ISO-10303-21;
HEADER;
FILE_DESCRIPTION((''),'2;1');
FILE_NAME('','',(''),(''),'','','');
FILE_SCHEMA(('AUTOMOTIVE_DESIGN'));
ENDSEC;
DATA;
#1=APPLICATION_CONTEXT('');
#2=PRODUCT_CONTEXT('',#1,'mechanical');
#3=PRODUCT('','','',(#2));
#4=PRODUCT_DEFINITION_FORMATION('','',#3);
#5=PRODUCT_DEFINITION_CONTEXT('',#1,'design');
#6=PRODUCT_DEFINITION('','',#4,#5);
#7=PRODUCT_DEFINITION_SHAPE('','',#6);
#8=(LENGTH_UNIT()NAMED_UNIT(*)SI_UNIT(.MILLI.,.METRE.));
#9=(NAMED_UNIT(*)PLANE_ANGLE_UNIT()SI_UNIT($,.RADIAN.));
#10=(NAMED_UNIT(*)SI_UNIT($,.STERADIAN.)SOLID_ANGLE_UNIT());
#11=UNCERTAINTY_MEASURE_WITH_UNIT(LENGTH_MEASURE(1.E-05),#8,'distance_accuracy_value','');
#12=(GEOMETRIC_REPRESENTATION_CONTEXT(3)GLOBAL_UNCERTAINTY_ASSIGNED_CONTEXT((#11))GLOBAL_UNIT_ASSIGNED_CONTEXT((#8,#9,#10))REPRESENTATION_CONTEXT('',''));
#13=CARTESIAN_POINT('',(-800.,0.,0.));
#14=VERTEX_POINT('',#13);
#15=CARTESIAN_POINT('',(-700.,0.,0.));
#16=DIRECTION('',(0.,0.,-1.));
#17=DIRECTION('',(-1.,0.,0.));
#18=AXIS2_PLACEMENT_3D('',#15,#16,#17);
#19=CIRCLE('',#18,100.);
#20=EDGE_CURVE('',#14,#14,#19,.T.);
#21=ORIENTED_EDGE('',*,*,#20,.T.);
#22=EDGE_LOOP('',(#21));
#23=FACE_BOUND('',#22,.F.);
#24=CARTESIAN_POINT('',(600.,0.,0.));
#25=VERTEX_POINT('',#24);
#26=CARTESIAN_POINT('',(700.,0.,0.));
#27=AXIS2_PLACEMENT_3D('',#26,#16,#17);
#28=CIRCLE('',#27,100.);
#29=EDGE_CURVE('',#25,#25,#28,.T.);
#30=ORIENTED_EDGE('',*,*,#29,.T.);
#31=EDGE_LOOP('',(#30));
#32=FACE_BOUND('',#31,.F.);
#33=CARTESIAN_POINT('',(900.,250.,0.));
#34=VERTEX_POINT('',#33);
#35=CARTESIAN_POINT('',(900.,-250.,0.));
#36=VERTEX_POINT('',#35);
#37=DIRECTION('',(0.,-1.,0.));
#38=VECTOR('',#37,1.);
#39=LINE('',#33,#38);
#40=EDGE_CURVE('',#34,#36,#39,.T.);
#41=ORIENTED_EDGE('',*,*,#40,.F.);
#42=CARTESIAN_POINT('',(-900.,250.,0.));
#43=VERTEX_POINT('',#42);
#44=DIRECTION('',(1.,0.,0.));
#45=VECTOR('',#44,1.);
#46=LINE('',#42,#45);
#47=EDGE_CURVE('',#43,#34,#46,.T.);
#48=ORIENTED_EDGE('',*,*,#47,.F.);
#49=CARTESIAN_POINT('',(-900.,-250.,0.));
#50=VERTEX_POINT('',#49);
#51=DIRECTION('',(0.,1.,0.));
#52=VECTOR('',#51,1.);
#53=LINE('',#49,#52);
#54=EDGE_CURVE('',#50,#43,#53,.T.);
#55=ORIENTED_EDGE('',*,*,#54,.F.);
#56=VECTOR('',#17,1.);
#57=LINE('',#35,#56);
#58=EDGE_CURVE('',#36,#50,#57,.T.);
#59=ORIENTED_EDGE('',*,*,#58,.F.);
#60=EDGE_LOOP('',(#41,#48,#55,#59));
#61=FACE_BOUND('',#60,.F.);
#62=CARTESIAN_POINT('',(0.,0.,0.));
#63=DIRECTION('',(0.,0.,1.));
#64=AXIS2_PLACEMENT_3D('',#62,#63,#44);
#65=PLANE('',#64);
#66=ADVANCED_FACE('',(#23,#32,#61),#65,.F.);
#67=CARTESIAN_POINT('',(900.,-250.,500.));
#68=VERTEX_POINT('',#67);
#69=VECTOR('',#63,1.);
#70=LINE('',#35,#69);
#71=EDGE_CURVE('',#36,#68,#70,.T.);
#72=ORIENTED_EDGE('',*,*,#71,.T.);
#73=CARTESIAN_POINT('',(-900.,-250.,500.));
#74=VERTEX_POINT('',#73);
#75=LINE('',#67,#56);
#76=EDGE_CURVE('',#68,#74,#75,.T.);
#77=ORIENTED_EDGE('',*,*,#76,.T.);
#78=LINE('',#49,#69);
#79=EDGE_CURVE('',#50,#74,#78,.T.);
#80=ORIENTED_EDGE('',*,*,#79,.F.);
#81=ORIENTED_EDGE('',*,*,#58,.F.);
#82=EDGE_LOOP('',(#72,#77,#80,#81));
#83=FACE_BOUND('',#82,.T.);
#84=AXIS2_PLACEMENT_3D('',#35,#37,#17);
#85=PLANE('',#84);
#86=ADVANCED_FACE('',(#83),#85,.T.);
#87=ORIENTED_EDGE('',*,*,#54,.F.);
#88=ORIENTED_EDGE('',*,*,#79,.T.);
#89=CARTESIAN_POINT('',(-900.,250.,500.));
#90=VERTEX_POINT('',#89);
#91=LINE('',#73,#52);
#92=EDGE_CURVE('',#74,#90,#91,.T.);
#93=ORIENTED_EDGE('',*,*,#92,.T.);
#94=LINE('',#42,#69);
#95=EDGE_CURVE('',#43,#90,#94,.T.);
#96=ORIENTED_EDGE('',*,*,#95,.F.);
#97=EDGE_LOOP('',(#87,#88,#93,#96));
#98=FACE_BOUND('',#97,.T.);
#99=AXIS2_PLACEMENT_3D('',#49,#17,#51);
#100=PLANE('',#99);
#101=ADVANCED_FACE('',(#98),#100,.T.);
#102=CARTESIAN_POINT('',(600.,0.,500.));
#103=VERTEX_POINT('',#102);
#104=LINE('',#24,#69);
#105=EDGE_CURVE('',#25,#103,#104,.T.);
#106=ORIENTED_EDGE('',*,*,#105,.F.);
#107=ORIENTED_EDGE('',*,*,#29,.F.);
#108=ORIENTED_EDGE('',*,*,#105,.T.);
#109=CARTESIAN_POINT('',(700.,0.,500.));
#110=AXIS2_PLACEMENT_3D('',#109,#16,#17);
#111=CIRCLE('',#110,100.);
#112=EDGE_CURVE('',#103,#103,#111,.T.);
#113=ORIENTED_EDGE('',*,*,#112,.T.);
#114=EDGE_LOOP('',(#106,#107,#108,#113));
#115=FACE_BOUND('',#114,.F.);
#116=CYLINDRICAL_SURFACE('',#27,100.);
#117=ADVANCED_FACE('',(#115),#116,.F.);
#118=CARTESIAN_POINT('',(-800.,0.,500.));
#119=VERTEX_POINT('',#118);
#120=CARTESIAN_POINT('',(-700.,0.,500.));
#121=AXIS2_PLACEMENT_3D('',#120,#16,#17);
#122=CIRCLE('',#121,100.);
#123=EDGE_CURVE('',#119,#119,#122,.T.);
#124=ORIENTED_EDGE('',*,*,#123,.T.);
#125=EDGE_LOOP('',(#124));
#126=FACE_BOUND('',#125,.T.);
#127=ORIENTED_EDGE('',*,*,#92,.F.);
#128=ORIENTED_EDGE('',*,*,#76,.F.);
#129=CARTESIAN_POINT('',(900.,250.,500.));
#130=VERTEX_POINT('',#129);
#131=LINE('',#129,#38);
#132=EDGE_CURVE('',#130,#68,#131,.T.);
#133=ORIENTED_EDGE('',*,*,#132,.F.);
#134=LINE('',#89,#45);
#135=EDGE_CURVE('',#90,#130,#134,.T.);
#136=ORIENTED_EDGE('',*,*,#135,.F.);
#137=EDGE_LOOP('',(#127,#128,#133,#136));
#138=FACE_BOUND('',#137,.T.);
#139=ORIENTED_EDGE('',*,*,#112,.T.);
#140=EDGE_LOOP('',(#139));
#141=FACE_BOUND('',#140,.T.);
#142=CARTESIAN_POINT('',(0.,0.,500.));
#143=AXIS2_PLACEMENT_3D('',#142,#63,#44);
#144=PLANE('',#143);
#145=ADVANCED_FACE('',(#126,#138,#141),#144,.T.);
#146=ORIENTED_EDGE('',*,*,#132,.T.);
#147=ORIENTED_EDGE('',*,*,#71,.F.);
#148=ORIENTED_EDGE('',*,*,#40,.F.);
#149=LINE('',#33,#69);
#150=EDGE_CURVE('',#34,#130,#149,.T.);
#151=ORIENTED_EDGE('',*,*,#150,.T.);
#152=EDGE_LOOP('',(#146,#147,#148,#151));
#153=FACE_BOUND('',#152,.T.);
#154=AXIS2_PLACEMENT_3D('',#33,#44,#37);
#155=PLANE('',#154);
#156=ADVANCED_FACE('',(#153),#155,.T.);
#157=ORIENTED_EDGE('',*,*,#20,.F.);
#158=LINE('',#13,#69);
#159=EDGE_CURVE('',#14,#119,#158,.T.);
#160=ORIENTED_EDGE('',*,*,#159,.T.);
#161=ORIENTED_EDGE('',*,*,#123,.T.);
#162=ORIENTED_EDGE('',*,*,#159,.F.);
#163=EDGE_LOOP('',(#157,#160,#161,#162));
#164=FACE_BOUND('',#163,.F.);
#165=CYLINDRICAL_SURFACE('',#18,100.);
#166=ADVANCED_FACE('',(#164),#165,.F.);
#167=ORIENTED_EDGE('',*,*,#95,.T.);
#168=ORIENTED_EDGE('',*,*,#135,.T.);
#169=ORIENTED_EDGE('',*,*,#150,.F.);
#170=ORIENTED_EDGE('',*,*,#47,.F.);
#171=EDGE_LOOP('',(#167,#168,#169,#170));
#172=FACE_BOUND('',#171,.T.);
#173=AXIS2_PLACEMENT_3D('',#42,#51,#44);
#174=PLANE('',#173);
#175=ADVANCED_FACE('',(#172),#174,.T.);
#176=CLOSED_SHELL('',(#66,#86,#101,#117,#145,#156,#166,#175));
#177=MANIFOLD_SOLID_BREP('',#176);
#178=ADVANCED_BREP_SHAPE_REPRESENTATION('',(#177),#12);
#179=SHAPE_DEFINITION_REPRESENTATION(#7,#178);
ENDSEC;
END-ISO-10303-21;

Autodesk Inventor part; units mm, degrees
ref_plane "YZ Plane" through (0, 0, 0) normal (1, 0, 0) x (0, 1, 0)
ref_plane "XZ Plane" through (0, 0, 0) normal (0, 1, 0) x (-1, 0, 0)
ref_plane "XY Plane" through (0, 0, 0) normal (0, 0, 1) x (1, 0, 0)
sketch "Skizze1" plane through (0, 0, 0) normal (0, 0, 1) x (1, 0, 0)
  line L0 (-1260, 0) -> (1260, 0) construction
  line L1 (0, -350) -> (0, 350) construction
  line L2 (-900, 250) -> (900, 250)
  line L3 (900, 250) -> (900, -250)
  line L4 (900, -250) -> (-900, -250)
  line L5 (-900, -250) -> (-900, 250)
  line L6 (-900, 250) -> (900, -250) construction
  line L7 (900, 250) -> (-900, -250) construction
  point P0 (0, 0)
  dimension "d0" = 1800
  dimension "d1" = 500
extrude "Extrusion1" add sketch "Skizze1" along normal blind 500
sketch "Skizze2" plane through (0, 0, 0) normal (0, 0, -1) x (-1, 0, 0)
  line L0 (-900, -250) -> (-900, 250) construction
  circle A0 centre (-700, 0) radius 100
  line L1 (900, 250) -> (900, -250) projected
  circle A1 centre (700, 0) radius 100
  point P0 (0, 0)
  dimension "d5" = 200
  dimension "d7" = 200
extrude "Extrusion2" cut sketch "Skizze2" against normal through all
sketch "Skizze3" plane through (0, 0, 0) normal (0, 0, -1) x (-1, 0, 0)
  point P0 (0, 0)
sketch "Skizze4" plane through (900, -250, 0) normal (1, 0, 0) x (0, 0, -1)
  point P0 (0, 250)
properties part number "mittlere Verbindung"
